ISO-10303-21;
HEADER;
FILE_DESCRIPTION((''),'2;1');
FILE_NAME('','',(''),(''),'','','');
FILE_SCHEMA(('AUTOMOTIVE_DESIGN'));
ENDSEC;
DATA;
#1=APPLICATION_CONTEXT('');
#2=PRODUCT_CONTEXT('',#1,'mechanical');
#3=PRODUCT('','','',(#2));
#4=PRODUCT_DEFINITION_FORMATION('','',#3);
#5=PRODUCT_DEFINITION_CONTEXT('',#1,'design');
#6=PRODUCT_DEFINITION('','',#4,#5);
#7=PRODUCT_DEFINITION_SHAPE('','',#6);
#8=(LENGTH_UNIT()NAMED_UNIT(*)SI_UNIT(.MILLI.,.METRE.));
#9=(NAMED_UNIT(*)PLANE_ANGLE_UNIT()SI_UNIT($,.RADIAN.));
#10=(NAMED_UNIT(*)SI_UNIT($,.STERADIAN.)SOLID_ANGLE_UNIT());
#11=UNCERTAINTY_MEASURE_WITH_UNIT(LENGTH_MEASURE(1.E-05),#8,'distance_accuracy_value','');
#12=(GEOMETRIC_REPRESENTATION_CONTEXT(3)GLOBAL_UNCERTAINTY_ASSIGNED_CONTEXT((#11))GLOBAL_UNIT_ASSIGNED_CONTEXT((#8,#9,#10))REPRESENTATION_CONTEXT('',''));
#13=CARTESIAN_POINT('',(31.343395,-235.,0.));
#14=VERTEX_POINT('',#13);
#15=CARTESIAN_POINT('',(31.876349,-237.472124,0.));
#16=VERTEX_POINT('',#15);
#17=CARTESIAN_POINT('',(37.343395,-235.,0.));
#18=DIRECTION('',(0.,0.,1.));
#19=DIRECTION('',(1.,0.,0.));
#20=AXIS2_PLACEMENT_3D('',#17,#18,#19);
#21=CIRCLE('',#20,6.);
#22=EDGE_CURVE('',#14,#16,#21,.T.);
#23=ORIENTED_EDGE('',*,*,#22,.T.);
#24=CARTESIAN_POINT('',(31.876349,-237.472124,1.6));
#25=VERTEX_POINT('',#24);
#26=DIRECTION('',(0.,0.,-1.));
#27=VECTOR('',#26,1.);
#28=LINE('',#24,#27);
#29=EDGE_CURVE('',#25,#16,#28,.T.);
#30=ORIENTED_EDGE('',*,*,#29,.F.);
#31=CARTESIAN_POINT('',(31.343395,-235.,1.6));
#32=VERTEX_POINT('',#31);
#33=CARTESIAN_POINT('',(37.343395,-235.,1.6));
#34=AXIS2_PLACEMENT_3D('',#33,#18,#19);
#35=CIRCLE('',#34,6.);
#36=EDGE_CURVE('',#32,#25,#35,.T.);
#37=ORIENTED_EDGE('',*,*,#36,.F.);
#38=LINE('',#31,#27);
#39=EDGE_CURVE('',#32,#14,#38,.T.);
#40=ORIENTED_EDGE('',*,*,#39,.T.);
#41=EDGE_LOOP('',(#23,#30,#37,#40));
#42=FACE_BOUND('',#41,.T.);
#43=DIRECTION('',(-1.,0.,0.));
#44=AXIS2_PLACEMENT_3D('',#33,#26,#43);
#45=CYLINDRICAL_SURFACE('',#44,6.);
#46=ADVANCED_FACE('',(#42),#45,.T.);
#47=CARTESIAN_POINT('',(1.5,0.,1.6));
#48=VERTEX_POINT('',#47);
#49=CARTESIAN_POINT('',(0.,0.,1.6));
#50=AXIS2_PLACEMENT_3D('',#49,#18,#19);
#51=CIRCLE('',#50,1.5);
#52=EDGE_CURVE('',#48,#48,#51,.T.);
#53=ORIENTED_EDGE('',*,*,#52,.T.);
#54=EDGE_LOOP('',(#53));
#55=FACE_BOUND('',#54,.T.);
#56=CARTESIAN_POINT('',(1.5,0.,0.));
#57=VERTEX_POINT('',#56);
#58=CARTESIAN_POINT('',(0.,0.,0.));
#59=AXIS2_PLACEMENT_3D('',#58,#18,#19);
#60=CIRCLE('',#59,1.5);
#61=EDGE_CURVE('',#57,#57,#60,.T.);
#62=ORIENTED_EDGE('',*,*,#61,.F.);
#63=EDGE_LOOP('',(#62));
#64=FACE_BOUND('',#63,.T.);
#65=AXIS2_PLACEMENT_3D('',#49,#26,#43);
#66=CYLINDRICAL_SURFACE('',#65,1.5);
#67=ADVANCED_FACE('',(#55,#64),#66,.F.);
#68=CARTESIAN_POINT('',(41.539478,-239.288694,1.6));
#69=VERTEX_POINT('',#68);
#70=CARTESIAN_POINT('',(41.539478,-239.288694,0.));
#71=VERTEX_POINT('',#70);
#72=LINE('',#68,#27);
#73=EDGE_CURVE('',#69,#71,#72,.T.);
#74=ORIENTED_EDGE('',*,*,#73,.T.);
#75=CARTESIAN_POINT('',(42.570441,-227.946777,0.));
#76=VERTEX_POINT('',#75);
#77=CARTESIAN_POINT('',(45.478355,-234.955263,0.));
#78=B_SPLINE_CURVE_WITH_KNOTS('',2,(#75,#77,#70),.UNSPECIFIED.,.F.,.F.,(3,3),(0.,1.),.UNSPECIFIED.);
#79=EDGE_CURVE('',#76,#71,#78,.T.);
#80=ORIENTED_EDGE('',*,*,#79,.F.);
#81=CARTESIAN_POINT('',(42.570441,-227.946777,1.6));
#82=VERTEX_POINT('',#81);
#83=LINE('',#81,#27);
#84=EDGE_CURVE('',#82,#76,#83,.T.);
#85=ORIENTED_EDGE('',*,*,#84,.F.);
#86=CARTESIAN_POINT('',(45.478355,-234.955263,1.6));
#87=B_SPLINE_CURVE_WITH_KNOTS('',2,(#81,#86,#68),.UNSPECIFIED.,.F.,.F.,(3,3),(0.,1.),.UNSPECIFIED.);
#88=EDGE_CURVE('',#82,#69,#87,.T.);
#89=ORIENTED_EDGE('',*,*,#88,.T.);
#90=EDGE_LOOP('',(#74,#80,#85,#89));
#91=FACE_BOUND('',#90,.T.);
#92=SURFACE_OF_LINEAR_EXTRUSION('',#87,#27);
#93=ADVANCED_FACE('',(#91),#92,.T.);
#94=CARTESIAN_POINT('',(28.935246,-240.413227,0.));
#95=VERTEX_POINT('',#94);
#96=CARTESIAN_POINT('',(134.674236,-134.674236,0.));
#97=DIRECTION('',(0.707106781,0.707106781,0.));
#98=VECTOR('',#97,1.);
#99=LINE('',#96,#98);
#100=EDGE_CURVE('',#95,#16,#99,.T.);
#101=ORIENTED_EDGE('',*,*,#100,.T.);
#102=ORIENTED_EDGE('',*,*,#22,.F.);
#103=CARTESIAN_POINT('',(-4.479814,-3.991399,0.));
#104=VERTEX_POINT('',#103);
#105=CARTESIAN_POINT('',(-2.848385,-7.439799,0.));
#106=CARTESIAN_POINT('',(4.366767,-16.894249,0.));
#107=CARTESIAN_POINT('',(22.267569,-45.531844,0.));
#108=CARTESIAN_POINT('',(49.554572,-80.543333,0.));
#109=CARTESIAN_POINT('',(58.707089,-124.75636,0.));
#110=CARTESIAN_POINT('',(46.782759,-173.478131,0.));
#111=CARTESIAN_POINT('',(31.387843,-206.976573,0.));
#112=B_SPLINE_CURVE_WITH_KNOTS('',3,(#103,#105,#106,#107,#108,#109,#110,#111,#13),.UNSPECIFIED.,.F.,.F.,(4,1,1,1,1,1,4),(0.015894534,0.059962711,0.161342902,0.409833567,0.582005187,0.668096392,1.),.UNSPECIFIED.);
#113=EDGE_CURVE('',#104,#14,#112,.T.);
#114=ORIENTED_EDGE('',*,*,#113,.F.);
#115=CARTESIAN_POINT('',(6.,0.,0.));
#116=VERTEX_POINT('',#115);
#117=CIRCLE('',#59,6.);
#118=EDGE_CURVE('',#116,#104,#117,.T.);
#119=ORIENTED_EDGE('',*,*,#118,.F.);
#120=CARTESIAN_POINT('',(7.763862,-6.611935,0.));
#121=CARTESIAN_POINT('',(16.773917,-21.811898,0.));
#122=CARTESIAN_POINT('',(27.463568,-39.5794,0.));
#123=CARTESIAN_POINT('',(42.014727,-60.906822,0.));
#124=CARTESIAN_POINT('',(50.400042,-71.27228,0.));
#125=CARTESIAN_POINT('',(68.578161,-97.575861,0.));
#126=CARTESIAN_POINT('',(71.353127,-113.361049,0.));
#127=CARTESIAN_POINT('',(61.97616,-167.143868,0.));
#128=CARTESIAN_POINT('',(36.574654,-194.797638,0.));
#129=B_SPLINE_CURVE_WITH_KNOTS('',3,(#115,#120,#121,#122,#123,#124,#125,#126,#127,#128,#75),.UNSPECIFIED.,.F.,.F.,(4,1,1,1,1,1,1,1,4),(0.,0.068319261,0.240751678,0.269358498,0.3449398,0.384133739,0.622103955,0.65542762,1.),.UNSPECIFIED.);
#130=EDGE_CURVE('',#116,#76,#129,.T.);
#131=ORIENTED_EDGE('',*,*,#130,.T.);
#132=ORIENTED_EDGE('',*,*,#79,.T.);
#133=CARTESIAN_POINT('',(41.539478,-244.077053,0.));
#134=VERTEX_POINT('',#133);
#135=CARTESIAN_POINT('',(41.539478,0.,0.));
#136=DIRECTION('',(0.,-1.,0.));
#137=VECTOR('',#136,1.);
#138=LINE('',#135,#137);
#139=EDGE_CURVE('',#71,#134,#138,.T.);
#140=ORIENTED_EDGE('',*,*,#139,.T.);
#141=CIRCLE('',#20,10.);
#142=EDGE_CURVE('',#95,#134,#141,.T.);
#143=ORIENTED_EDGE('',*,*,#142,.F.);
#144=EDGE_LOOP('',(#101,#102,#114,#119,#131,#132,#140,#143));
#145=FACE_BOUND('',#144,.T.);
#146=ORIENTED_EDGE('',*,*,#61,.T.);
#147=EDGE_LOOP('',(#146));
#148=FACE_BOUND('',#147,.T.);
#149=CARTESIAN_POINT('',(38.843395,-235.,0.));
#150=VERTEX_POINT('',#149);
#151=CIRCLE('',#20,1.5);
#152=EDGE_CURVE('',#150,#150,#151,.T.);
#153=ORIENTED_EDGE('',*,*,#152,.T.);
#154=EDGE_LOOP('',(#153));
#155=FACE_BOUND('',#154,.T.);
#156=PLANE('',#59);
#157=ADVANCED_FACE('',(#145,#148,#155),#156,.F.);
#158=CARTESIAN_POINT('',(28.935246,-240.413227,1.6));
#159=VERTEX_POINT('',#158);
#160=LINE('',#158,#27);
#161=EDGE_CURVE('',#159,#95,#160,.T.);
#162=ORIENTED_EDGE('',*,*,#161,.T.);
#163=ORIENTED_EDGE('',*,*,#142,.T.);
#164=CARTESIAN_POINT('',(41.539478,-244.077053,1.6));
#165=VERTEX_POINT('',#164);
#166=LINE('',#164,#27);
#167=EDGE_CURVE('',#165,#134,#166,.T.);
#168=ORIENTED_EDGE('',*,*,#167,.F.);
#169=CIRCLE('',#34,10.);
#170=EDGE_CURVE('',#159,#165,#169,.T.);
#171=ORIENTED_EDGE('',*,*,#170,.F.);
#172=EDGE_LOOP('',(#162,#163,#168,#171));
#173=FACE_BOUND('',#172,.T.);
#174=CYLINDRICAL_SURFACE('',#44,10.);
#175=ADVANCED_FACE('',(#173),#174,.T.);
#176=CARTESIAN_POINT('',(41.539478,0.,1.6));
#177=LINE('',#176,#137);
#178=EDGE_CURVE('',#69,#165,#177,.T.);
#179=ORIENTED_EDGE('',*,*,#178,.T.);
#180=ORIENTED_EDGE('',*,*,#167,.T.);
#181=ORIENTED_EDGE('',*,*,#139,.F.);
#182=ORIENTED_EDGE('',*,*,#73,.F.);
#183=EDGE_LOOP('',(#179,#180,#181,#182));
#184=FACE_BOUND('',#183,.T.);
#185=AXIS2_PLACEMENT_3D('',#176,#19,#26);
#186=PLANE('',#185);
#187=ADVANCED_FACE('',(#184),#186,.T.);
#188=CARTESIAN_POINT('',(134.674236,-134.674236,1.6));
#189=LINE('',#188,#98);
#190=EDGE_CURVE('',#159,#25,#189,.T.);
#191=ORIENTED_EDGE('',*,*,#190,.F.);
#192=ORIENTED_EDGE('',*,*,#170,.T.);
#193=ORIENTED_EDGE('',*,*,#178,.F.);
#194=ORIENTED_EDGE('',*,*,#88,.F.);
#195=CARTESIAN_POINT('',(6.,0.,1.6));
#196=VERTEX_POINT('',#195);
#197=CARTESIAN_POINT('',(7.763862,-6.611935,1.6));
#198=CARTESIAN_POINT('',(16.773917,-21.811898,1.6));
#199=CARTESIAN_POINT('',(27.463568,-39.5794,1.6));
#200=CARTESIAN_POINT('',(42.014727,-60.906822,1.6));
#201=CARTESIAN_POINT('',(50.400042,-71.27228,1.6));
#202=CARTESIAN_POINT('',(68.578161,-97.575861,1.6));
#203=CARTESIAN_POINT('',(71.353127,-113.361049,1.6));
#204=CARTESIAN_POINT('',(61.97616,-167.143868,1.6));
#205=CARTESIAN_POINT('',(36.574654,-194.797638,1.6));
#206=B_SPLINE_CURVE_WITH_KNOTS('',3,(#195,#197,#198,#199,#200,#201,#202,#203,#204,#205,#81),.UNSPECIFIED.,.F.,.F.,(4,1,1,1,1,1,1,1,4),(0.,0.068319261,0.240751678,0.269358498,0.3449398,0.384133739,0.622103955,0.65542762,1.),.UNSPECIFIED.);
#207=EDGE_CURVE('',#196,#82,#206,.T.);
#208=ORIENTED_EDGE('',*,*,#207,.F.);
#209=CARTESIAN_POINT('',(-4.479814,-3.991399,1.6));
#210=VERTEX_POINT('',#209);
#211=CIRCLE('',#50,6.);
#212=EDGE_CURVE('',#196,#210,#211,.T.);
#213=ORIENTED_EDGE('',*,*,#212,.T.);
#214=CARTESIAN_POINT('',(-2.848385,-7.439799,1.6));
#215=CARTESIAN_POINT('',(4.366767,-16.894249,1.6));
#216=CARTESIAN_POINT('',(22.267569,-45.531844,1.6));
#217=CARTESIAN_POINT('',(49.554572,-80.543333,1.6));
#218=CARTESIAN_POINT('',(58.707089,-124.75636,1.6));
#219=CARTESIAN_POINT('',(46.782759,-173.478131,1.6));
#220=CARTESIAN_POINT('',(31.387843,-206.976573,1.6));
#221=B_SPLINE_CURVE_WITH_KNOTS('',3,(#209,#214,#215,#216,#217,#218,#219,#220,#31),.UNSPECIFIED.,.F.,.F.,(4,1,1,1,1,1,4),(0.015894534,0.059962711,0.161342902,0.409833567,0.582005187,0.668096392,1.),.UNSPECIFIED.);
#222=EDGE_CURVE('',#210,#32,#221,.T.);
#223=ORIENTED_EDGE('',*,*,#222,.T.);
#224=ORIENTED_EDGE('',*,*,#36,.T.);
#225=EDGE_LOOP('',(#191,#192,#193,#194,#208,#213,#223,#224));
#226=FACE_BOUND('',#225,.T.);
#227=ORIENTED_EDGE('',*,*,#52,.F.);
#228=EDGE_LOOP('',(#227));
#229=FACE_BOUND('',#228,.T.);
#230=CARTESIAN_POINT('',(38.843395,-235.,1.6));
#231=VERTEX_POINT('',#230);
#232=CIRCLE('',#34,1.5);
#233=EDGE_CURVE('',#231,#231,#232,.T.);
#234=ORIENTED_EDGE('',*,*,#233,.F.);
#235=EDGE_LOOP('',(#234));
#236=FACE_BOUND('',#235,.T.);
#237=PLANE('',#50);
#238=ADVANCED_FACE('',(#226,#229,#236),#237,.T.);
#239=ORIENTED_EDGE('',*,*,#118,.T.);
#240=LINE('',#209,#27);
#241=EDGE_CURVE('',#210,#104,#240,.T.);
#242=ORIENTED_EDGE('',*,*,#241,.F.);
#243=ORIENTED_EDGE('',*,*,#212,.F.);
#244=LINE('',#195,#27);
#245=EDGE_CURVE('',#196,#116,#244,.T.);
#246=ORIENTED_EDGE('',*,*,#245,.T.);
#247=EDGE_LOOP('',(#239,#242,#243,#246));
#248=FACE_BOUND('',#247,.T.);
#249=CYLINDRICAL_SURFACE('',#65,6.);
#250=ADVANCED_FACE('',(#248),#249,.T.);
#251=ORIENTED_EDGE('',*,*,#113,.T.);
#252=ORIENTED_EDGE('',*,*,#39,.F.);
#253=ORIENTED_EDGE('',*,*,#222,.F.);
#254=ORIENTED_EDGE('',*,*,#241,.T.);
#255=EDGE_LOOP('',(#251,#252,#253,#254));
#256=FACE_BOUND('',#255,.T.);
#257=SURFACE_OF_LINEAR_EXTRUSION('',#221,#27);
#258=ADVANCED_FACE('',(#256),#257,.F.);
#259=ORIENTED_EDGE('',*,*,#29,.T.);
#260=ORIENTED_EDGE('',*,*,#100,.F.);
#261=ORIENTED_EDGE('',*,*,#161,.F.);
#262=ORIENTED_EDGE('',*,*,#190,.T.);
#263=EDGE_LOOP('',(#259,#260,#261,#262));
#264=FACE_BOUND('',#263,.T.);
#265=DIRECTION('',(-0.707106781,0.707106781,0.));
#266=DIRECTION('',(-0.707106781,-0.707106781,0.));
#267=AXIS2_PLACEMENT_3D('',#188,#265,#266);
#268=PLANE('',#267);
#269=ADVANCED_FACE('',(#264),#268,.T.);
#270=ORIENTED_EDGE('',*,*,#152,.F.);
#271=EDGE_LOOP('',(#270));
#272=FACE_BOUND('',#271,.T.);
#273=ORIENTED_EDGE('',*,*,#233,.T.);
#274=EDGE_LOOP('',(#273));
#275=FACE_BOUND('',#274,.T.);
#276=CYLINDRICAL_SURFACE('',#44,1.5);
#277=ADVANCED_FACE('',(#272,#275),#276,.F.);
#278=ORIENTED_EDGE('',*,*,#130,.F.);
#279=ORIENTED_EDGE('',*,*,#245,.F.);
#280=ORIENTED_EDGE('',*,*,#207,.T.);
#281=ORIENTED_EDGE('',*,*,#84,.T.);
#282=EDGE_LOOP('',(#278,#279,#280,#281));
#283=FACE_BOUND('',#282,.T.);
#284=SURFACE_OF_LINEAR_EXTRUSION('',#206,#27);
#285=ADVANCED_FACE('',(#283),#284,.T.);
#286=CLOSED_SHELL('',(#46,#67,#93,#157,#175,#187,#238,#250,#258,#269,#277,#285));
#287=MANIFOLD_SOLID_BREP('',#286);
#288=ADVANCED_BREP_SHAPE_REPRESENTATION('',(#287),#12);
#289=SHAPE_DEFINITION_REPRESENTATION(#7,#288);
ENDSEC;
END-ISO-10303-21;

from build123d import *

# Parameters (mm, degrees)
SKETCH2_R           = 1.5
BOSS_EXTRUDE1_DEPTH = 1.6


with BuildPart() as part:
    # Sketch2 → Boss-Extrude1 (new body)
    with BuildSketch(Plane.XY):
        with BuildLine():
            add(Edge.make_bspline(
                [(42.570441122, -227.946776929), (45.478355327, -234.955262518), (41.539477921, -239.288693537)],
                knots=[0, 0, 0, 1, 1, 1], degree=2))
            Line((41.539477921, -239.288693537), (41.539477921, -244.07705306))
            ThreePointArc((41.539477921, -244.07705306), (34.552108449, -244.60253699), (28.935245996, -240.413226585))
            Line((28.935245996, -240.413226585), (31.876348518, -237.472124063))
            ThreePointArc((31.876348518, -237.472124063), (31.47814691, -236.264459994), (31.343395492, -235))
            add(Edge.make_bspline(
                [(-4.479814497, -3.991398511), (-2.848384876, -7.439798844), (4.366767135, -16.894248877), (22.267568782, -45.531844328), (49.554572208, -80.543332738), (58.70708865, -124.756359648), (46.782759138, -173.47813054), (31.387842566, -206.976572759), (31.343395492, -235)],
                knots=[0.015894534, 0.015894534, 0.015894534, 0.015894534, 0.059962711, 0.161342902, 0.409833567, 0.582005187, 0.668096392, 1, 1, 1, 1], degree=3))
            ThreePointArc((-4.479814497, -3.991398511), (-2.135545951, 5.607088682), (6, 0))
            add(Edge.make_bspline(
                [(6, 0), (7.763862083, -6.611935343), (16.773917449, -21.811897872), (27.463568343, -39.579399763), (42.014726868, -60.9068216), (50.400041698, -71.272280491), (68.578161477, -97.575861314), (71.353126519, -113.361048842), (61.976160464, -167.143867847), (36.574654406, -194.797637864), (42.570441122, -227.946776929)],
                knots=[0, 0, 0, 0, 0.068319261, 0.240751678, 0.269358498, 0.3449398, 0.384133739, 0.622103955, 0.65542762, 1, 1, 1, 1], degree=3))
        make_face()
        with Locations((37.343395492, -235)):
            Circle(SKETCH2_R, mode=Mode.SUBTRACT)
        Circle(SKETCH2_R, mode=Mode.SUBTRACT)
    extrude(amount=BOSS_EXTRUDE1_DEPTH)


solid = part.part
